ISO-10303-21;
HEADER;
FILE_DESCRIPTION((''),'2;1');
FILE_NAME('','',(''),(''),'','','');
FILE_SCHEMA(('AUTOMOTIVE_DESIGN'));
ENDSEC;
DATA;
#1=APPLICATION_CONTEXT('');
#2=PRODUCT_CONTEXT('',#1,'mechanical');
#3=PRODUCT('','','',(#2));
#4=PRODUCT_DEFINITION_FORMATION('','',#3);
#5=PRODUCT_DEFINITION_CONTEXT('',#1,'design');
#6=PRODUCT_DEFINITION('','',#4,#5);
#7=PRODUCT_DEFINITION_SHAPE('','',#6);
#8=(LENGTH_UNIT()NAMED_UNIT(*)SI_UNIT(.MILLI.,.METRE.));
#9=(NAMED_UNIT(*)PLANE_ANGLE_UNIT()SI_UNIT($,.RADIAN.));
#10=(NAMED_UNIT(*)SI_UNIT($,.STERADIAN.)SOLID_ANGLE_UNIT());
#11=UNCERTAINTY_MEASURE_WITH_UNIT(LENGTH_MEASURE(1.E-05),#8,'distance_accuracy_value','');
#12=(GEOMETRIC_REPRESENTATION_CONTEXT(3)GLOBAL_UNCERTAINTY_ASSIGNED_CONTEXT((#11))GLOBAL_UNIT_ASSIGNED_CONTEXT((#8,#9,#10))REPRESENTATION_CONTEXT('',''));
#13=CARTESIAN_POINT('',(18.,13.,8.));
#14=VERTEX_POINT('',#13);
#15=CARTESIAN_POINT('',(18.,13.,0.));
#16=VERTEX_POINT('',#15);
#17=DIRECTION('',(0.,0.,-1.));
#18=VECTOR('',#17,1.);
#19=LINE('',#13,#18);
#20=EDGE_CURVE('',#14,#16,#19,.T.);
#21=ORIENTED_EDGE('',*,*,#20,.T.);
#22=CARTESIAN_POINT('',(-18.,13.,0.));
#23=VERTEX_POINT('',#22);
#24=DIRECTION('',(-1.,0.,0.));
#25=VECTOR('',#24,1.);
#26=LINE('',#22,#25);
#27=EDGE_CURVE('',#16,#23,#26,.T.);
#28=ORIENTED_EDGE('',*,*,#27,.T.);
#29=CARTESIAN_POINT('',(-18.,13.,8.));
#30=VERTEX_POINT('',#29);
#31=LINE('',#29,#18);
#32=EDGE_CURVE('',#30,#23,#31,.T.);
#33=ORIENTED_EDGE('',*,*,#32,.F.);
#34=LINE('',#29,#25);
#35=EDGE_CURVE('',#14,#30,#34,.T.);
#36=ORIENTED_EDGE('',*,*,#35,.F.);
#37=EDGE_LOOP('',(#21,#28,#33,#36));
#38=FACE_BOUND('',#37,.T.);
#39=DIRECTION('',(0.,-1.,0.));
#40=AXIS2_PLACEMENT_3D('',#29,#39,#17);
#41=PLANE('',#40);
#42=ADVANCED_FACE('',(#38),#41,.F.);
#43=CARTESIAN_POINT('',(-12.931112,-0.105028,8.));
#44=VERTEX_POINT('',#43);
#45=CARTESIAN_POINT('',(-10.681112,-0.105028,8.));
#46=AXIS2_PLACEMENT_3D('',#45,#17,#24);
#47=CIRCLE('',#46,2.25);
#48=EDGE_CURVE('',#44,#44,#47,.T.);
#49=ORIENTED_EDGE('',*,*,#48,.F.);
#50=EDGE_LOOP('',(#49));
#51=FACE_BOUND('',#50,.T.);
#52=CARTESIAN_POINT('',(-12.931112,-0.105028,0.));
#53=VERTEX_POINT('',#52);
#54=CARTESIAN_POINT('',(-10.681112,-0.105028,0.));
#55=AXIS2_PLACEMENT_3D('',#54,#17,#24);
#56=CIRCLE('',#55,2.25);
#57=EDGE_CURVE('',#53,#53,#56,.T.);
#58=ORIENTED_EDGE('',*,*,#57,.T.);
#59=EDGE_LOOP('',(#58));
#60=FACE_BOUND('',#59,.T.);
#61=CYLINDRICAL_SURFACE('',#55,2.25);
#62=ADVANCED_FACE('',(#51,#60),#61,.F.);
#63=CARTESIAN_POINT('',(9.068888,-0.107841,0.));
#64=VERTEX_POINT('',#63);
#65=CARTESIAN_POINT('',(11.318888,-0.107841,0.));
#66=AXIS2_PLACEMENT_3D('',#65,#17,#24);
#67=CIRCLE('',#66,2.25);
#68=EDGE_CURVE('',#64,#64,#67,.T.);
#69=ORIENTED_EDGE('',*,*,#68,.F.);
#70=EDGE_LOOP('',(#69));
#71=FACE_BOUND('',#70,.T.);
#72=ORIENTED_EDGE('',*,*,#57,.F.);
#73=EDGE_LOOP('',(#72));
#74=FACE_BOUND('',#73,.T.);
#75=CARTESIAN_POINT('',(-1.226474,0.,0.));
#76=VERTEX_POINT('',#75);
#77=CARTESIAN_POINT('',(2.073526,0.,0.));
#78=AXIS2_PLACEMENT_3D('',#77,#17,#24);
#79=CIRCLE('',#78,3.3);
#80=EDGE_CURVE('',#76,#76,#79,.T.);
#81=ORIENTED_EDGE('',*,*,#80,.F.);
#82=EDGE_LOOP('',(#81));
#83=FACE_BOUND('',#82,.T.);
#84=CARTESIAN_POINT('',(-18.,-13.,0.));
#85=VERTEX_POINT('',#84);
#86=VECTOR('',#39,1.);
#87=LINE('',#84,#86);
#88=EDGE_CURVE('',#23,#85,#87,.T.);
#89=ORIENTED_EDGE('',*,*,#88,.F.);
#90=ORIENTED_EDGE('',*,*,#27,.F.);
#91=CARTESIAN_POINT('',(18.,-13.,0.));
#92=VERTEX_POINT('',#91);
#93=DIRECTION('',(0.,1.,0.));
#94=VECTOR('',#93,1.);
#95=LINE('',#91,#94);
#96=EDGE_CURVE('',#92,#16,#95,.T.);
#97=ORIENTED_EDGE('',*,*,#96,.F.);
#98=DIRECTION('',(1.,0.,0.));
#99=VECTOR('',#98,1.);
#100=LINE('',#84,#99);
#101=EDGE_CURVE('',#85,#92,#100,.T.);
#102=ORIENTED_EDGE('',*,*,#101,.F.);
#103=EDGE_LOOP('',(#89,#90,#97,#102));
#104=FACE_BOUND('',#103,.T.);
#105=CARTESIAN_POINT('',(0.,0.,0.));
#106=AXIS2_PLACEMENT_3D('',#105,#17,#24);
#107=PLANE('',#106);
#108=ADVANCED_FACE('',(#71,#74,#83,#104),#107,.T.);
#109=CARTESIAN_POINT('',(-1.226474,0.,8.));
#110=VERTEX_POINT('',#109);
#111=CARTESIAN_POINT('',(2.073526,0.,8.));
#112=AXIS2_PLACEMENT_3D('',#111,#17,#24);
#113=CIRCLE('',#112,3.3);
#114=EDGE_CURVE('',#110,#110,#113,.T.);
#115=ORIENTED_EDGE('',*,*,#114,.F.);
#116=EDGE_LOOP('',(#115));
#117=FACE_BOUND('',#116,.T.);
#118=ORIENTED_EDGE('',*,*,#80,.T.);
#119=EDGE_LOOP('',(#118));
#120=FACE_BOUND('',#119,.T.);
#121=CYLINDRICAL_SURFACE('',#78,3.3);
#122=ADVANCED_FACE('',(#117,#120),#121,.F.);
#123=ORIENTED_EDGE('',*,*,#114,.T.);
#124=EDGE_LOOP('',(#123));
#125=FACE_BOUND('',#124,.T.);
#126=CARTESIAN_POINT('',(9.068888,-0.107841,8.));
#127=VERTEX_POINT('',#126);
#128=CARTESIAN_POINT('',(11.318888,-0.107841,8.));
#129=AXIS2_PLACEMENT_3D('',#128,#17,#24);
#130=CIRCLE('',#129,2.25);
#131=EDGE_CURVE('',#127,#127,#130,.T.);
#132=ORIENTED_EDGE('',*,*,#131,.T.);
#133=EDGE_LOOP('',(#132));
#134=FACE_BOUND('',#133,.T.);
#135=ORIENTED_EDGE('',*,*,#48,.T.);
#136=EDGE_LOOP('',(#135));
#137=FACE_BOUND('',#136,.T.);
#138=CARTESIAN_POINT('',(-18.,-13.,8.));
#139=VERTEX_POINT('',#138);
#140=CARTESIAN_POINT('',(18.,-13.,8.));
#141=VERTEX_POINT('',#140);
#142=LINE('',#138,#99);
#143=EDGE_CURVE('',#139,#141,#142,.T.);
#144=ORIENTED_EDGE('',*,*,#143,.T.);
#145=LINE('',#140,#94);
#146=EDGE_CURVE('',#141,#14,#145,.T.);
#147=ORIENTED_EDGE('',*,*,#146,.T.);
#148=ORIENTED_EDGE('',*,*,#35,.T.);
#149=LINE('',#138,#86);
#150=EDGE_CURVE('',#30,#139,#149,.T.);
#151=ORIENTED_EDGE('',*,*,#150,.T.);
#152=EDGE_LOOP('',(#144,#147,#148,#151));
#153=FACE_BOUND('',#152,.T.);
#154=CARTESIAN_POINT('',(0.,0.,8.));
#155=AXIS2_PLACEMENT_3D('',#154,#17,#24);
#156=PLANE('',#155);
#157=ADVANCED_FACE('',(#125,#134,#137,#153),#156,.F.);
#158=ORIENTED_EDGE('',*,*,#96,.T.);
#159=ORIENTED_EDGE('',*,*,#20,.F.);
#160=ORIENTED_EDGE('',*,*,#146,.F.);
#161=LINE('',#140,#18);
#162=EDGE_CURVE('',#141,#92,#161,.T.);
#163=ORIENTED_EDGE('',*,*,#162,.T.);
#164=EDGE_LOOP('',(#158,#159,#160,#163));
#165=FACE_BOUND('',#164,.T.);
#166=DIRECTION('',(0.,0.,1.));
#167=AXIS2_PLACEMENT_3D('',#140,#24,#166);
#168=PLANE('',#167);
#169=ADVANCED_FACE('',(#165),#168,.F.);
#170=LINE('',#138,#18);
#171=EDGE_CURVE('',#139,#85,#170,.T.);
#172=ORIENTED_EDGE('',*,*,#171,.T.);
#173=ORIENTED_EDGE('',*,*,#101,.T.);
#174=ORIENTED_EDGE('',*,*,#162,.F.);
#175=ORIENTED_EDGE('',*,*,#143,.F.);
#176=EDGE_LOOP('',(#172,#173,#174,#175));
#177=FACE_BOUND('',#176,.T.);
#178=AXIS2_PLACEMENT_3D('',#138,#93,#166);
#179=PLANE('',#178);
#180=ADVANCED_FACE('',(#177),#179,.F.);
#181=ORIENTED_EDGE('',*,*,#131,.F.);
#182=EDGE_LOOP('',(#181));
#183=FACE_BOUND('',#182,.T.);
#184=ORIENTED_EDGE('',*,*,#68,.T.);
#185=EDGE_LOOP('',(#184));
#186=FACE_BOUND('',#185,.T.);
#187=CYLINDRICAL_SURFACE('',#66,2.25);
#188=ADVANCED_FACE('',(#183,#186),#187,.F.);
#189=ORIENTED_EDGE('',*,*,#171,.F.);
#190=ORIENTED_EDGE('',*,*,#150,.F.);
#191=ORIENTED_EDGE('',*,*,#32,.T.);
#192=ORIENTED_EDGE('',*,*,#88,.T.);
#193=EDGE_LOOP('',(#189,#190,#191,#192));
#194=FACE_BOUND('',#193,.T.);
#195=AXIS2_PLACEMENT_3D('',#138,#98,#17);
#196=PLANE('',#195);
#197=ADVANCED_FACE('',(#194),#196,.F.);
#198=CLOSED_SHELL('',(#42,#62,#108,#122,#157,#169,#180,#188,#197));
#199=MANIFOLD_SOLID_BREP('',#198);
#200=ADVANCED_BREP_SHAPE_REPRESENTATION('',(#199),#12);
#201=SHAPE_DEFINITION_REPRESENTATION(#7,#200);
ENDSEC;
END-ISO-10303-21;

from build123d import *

# Parameters (mm, degrees)
ESQUISSE1_W          = 36
ESQUISSE1_H          = 26
BOSS_EXTRU_1_DEPTH   = 8
D_GAGEMENT_M41_D     = 4.5
M6_CLEARANCE_HOLE2_D = 6.6


with BuildPart() as part:
    # Esquisse1 → Boss.-Extru.1 (new body)
    with BuildSketch(Plane.XY):
        Rectangle(ESQUISSE1_W, ESQUISSE1_H)
    extrude(amount=BOSS_EXTRU_1_DEPTH)

    # Dégagement M41 (through all)
    with Locations(Plane(origin=(0, 0, 0), x_dir=(-1, 0, 0), z_dir=(0, 0, -1))):
        with Locations((-11.318887596, -0.107841378), (10.681112224, -0.10502754)):
            Hole(D_GAGEMENT_M41_D / 2)

    # M6 Clearance Hole2 (through all)
    with Locations(Plane(origin=(0, 0, 0), x_dir=(-1, 0, 0), z_dir=(0, 0, -1))):
        with Locations((-2.073526459, 0)):
            Hole(M6_CLEARANCE_HOLE2_D / 2)


solid = part.part
